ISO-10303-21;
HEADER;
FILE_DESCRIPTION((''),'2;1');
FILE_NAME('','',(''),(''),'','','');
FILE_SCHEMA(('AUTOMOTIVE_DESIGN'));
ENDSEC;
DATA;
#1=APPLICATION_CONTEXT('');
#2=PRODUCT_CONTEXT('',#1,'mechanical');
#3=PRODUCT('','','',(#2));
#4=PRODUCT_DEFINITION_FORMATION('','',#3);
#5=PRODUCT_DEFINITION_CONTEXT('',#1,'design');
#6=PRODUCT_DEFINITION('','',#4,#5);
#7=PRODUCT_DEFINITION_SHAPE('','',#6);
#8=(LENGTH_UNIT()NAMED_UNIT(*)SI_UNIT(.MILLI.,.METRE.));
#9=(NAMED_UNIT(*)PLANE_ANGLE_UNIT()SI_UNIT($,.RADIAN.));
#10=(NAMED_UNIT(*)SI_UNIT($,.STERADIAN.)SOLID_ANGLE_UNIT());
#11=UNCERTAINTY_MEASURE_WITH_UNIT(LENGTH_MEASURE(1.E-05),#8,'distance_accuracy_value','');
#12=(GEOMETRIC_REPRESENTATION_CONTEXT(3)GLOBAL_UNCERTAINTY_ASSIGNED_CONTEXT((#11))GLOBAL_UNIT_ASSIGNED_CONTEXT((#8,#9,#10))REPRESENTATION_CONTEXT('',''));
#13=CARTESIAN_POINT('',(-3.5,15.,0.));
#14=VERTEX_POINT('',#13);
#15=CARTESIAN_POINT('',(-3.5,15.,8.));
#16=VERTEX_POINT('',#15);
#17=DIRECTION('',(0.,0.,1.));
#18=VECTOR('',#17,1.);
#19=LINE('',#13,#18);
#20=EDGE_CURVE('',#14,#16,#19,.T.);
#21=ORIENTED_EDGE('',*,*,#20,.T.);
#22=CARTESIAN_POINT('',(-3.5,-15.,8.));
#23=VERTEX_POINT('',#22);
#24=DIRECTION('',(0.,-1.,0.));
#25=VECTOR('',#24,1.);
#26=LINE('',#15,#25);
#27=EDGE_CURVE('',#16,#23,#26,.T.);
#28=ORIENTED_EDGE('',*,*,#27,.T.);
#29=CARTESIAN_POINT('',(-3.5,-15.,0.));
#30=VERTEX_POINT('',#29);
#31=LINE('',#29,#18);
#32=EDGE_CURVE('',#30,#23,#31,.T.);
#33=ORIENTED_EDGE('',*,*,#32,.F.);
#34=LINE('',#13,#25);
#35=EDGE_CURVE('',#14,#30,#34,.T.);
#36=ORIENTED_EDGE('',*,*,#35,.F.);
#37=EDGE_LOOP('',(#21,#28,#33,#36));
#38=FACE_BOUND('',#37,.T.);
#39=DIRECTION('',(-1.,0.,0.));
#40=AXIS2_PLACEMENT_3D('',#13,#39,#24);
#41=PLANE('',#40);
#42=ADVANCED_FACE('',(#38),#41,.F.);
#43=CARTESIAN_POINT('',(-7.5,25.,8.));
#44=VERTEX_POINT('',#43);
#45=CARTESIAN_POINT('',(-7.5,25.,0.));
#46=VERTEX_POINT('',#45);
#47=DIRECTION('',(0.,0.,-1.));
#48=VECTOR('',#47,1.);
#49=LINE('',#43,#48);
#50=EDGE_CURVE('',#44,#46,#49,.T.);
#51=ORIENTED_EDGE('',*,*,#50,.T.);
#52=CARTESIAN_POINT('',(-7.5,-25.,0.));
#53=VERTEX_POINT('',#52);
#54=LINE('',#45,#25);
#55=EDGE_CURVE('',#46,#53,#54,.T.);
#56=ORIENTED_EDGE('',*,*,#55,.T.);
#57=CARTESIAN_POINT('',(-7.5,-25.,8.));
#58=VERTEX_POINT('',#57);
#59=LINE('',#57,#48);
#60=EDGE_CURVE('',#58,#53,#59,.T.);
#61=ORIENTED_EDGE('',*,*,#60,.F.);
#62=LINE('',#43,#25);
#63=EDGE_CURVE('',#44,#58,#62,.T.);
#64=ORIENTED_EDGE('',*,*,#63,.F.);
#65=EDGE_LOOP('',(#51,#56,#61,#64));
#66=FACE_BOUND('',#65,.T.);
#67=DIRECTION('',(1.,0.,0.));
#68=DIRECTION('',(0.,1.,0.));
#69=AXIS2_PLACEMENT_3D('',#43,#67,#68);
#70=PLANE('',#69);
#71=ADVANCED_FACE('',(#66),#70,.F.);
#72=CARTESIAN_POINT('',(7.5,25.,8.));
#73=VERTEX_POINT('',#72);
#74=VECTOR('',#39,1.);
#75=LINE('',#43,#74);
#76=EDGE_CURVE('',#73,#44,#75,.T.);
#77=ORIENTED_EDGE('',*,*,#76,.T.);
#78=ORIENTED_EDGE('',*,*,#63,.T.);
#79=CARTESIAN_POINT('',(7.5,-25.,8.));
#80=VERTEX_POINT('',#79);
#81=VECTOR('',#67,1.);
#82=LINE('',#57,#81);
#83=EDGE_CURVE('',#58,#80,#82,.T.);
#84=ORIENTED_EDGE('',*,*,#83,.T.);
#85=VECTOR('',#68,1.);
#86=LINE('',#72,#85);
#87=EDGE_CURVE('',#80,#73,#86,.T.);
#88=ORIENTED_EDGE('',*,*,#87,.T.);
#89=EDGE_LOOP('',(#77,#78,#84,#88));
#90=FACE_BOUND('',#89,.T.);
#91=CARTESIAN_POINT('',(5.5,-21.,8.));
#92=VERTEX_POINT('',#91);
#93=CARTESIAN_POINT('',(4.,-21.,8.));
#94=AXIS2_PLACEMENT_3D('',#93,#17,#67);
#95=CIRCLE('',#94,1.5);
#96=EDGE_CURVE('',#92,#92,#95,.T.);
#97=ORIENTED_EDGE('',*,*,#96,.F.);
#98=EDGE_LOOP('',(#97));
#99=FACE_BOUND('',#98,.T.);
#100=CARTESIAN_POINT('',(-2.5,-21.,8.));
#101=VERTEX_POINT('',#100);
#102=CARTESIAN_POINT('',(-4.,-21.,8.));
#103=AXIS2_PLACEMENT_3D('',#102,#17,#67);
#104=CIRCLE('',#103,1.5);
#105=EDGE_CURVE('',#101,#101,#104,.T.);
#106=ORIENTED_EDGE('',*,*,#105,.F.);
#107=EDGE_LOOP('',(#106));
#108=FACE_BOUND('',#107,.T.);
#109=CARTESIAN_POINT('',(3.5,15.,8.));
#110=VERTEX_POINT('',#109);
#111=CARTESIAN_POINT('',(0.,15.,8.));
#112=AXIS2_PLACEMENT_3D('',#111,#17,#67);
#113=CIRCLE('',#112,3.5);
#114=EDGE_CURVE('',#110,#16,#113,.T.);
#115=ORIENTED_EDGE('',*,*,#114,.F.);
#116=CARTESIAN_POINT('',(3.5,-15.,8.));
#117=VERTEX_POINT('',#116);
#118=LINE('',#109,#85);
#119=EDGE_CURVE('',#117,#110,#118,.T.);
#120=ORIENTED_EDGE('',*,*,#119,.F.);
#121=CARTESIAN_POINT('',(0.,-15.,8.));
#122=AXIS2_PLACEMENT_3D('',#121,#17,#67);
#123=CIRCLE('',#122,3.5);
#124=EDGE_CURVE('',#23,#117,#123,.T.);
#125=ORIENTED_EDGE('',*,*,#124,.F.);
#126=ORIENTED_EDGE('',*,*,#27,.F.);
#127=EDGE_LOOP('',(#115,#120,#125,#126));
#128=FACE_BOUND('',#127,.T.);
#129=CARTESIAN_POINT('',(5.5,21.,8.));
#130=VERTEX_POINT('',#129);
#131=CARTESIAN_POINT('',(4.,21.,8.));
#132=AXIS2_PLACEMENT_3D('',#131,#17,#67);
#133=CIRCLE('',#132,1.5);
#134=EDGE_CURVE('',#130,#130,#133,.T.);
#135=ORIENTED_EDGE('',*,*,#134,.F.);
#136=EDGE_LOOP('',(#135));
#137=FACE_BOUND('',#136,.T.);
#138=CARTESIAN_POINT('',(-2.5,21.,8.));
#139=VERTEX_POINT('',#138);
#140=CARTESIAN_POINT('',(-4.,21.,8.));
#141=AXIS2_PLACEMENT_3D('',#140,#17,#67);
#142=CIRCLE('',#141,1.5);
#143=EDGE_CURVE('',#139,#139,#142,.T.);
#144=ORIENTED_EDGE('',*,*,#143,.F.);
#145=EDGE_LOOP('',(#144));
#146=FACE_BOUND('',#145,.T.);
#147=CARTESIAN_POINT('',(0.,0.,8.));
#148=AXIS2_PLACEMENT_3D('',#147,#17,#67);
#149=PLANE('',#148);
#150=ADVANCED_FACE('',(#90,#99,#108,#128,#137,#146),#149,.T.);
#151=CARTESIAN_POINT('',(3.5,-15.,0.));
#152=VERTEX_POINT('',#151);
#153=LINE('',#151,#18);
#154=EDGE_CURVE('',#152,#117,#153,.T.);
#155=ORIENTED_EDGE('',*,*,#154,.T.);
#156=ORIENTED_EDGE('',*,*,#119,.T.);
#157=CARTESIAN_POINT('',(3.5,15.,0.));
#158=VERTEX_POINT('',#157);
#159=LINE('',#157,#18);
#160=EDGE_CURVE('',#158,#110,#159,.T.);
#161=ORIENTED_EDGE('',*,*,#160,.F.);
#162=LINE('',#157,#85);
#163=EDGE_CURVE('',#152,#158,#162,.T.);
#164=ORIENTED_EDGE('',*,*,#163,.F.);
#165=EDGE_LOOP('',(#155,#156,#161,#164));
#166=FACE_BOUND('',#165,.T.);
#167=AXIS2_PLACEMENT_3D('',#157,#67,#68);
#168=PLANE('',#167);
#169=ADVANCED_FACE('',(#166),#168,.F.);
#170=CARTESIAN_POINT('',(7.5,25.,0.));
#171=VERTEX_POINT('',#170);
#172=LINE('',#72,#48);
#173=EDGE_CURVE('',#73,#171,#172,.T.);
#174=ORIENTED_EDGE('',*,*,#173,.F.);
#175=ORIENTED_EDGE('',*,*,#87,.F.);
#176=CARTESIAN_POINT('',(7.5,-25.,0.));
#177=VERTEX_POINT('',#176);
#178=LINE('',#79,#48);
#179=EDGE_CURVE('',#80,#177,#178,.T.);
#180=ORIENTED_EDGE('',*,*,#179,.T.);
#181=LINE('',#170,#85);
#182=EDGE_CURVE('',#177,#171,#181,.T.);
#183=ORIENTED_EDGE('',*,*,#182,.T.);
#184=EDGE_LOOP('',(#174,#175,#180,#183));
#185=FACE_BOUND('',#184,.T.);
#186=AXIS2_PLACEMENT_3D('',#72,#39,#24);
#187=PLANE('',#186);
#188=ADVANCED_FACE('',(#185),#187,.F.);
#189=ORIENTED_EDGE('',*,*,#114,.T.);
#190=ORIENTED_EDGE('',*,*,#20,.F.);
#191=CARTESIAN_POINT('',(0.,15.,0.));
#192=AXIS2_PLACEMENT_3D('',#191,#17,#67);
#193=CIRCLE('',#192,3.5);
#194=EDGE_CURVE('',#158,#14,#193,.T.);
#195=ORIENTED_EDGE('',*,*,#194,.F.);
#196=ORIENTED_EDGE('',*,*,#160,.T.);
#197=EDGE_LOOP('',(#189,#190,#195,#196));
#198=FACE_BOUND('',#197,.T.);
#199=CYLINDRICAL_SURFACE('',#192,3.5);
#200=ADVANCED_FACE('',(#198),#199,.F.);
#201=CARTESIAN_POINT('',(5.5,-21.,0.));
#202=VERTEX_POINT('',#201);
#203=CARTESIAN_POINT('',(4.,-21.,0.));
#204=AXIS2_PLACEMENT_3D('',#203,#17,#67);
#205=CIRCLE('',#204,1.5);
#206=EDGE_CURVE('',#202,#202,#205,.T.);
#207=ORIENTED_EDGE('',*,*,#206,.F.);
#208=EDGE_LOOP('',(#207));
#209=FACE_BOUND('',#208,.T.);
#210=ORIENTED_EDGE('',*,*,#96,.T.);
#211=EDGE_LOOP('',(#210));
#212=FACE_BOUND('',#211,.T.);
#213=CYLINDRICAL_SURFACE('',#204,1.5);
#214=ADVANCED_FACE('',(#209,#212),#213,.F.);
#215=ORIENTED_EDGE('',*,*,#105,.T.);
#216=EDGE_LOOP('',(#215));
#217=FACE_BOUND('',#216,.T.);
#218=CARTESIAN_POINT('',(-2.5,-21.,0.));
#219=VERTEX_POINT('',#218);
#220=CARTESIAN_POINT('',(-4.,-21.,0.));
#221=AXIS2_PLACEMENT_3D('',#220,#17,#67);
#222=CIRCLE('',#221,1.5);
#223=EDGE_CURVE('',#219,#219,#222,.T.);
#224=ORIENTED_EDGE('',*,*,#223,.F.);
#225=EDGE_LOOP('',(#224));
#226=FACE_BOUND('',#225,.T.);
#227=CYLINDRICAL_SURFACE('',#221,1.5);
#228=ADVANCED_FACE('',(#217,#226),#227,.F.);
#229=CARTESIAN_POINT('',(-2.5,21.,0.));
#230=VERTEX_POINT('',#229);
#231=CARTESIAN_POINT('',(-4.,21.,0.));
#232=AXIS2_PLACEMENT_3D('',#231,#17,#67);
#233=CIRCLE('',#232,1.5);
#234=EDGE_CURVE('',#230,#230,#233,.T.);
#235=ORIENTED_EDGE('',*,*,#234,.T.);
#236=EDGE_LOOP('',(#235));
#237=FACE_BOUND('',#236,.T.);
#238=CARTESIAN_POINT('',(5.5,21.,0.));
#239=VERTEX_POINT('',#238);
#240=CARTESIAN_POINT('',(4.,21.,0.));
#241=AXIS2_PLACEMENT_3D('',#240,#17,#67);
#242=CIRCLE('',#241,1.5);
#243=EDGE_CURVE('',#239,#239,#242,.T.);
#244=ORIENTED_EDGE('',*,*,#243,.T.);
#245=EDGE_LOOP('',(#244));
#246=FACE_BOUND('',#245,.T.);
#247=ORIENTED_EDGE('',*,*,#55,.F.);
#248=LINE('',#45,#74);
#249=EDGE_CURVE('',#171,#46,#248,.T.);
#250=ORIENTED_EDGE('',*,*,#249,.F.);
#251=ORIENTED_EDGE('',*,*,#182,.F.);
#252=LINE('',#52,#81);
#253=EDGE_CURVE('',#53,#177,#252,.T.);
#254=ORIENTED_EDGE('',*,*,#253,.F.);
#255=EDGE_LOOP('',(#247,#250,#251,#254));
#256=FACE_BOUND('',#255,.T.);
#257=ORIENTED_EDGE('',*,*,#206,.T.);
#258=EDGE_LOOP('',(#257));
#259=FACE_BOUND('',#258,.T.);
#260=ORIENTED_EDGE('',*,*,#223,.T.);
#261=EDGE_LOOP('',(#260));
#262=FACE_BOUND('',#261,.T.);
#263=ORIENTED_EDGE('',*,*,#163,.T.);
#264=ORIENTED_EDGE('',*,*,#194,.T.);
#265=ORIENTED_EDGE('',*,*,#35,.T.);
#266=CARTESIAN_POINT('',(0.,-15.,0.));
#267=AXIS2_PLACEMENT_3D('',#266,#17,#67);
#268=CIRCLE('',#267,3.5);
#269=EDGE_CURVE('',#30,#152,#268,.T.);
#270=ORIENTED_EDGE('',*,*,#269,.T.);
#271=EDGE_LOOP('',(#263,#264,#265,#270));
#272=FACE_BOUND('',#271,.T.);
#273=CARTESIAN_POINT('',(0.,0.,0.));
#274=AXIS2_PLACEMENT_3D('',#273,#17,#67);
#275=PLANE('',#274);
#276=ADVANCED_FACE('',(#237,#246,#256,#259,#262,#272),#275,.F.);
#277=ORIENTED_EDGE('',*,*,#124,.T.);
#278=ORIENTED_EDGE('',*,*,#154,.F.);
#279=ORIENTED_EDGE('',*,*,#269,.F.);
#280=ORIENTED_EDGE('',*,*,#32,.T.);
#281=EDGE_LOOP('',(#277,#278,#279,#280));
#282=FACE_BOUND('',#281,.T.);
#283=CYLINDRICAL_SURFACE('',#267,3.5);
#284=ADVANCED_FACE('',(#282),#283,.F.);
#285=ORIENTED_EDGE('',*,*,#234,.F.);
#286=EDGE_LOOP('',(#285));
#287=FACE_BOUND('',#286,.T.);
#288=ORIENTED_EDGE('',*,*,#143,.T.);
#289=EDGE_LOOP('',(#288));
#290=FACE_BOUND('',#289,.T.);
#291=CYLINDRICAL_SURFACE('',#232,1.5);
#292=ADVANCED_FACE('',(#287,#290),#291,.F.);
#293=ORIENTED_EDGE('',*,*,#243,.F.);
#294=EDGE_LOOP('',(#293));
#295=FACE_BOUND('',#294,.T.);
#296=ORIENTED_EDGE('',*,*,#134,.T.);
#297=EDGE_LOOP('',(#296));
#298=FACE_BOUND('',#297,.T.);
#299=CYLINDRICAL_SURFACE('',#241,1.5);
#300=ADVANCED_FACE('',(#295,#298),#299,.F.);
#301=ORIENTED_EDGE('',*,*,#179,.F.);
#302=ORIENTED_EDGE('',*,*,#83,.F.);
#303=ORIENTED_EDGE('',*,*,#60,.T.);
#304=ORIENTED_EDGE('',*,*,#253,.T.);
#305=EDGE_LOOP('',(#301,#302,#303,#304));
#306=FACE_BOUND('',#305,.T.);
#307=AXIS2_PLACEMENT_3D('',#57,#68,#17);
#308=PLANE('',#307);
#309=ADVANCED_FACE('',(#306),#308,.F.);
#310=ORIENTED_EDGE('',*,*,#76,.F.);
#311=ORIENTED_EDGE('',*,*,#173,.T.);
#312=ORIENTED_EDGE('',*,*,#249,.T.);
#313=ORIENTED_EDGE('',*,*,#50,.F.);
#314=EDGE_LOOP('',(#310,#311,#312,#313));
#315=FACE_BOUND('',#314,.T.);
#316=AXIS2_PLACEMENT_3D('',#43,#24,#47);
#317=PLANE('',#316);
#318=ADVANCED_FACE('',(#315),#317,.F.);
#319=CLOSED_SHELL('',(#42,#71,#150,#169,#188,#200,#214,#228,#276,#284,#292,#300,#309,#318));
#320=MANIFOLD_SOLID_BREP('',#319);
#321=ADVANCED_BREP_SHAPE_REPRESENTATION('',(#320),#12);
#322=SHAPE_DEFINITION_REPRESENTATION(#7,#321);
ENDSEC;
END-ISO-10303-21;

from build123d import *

# Parameters (mm, degrees)
SKETCH_1_W          = 15
SKETCH_1_H          = 50
EXTRUDE_1_DEPTH     = 8
SKETCH_2_R          = 1.5
CUT_EXTRUDE_1_DEPTH = 28.299267389
CUT_EXTRUDE_3_DEPTH = 28.299267389


with BuildPart() as part:
    # 草图1 → 凸台-拉伸1 (new body)
    with BuildSketch(Plane.XY):
        Rectangle(SKETCH_1_W, SKETCH_1_H)
    extrude(amount=EXTRUDE_1_DEPTH)

    # 草图2 → 切除-拉伸1 (cut, through all)
    with BuildSketch(Plane.XY.offset(8)):
        with Locations((-4, 21)):
            Circle(SKETCH_2_R)
        with Locations((4, 21)):
            Circle(SKETCH_2_R)
        with Locations((4, -21)):
            Circle(SKETCH_2_R)
        with Locations((-4, -21)):
            Circle(SKETCH_2_R)
    extrude(amount=-CUT_EXTRUDE_1_DEPTH, mode=Mode.SUBTRACT)

    # 草图3 → 切除-拉伸3 (cut, through all)
    with BuildSketch(Plane.XY.offset(8)):
        with BuildLine():
            Line((3.5, 15), (3.5, -15))
            ThreePointArc((3.5, -15), (0, -18.5), (-3.5, -15))
            Line((-3.5, -15), (-3.5, 15))
            ThreePointArc((-3.5, 15), (0, 18.5), (3.5, 15))
        make_face()
    extrude(amount=-CUT_EXTRUDE_3_DEPTH, mode=Mode.SUBTRACT)


solid = part.part
